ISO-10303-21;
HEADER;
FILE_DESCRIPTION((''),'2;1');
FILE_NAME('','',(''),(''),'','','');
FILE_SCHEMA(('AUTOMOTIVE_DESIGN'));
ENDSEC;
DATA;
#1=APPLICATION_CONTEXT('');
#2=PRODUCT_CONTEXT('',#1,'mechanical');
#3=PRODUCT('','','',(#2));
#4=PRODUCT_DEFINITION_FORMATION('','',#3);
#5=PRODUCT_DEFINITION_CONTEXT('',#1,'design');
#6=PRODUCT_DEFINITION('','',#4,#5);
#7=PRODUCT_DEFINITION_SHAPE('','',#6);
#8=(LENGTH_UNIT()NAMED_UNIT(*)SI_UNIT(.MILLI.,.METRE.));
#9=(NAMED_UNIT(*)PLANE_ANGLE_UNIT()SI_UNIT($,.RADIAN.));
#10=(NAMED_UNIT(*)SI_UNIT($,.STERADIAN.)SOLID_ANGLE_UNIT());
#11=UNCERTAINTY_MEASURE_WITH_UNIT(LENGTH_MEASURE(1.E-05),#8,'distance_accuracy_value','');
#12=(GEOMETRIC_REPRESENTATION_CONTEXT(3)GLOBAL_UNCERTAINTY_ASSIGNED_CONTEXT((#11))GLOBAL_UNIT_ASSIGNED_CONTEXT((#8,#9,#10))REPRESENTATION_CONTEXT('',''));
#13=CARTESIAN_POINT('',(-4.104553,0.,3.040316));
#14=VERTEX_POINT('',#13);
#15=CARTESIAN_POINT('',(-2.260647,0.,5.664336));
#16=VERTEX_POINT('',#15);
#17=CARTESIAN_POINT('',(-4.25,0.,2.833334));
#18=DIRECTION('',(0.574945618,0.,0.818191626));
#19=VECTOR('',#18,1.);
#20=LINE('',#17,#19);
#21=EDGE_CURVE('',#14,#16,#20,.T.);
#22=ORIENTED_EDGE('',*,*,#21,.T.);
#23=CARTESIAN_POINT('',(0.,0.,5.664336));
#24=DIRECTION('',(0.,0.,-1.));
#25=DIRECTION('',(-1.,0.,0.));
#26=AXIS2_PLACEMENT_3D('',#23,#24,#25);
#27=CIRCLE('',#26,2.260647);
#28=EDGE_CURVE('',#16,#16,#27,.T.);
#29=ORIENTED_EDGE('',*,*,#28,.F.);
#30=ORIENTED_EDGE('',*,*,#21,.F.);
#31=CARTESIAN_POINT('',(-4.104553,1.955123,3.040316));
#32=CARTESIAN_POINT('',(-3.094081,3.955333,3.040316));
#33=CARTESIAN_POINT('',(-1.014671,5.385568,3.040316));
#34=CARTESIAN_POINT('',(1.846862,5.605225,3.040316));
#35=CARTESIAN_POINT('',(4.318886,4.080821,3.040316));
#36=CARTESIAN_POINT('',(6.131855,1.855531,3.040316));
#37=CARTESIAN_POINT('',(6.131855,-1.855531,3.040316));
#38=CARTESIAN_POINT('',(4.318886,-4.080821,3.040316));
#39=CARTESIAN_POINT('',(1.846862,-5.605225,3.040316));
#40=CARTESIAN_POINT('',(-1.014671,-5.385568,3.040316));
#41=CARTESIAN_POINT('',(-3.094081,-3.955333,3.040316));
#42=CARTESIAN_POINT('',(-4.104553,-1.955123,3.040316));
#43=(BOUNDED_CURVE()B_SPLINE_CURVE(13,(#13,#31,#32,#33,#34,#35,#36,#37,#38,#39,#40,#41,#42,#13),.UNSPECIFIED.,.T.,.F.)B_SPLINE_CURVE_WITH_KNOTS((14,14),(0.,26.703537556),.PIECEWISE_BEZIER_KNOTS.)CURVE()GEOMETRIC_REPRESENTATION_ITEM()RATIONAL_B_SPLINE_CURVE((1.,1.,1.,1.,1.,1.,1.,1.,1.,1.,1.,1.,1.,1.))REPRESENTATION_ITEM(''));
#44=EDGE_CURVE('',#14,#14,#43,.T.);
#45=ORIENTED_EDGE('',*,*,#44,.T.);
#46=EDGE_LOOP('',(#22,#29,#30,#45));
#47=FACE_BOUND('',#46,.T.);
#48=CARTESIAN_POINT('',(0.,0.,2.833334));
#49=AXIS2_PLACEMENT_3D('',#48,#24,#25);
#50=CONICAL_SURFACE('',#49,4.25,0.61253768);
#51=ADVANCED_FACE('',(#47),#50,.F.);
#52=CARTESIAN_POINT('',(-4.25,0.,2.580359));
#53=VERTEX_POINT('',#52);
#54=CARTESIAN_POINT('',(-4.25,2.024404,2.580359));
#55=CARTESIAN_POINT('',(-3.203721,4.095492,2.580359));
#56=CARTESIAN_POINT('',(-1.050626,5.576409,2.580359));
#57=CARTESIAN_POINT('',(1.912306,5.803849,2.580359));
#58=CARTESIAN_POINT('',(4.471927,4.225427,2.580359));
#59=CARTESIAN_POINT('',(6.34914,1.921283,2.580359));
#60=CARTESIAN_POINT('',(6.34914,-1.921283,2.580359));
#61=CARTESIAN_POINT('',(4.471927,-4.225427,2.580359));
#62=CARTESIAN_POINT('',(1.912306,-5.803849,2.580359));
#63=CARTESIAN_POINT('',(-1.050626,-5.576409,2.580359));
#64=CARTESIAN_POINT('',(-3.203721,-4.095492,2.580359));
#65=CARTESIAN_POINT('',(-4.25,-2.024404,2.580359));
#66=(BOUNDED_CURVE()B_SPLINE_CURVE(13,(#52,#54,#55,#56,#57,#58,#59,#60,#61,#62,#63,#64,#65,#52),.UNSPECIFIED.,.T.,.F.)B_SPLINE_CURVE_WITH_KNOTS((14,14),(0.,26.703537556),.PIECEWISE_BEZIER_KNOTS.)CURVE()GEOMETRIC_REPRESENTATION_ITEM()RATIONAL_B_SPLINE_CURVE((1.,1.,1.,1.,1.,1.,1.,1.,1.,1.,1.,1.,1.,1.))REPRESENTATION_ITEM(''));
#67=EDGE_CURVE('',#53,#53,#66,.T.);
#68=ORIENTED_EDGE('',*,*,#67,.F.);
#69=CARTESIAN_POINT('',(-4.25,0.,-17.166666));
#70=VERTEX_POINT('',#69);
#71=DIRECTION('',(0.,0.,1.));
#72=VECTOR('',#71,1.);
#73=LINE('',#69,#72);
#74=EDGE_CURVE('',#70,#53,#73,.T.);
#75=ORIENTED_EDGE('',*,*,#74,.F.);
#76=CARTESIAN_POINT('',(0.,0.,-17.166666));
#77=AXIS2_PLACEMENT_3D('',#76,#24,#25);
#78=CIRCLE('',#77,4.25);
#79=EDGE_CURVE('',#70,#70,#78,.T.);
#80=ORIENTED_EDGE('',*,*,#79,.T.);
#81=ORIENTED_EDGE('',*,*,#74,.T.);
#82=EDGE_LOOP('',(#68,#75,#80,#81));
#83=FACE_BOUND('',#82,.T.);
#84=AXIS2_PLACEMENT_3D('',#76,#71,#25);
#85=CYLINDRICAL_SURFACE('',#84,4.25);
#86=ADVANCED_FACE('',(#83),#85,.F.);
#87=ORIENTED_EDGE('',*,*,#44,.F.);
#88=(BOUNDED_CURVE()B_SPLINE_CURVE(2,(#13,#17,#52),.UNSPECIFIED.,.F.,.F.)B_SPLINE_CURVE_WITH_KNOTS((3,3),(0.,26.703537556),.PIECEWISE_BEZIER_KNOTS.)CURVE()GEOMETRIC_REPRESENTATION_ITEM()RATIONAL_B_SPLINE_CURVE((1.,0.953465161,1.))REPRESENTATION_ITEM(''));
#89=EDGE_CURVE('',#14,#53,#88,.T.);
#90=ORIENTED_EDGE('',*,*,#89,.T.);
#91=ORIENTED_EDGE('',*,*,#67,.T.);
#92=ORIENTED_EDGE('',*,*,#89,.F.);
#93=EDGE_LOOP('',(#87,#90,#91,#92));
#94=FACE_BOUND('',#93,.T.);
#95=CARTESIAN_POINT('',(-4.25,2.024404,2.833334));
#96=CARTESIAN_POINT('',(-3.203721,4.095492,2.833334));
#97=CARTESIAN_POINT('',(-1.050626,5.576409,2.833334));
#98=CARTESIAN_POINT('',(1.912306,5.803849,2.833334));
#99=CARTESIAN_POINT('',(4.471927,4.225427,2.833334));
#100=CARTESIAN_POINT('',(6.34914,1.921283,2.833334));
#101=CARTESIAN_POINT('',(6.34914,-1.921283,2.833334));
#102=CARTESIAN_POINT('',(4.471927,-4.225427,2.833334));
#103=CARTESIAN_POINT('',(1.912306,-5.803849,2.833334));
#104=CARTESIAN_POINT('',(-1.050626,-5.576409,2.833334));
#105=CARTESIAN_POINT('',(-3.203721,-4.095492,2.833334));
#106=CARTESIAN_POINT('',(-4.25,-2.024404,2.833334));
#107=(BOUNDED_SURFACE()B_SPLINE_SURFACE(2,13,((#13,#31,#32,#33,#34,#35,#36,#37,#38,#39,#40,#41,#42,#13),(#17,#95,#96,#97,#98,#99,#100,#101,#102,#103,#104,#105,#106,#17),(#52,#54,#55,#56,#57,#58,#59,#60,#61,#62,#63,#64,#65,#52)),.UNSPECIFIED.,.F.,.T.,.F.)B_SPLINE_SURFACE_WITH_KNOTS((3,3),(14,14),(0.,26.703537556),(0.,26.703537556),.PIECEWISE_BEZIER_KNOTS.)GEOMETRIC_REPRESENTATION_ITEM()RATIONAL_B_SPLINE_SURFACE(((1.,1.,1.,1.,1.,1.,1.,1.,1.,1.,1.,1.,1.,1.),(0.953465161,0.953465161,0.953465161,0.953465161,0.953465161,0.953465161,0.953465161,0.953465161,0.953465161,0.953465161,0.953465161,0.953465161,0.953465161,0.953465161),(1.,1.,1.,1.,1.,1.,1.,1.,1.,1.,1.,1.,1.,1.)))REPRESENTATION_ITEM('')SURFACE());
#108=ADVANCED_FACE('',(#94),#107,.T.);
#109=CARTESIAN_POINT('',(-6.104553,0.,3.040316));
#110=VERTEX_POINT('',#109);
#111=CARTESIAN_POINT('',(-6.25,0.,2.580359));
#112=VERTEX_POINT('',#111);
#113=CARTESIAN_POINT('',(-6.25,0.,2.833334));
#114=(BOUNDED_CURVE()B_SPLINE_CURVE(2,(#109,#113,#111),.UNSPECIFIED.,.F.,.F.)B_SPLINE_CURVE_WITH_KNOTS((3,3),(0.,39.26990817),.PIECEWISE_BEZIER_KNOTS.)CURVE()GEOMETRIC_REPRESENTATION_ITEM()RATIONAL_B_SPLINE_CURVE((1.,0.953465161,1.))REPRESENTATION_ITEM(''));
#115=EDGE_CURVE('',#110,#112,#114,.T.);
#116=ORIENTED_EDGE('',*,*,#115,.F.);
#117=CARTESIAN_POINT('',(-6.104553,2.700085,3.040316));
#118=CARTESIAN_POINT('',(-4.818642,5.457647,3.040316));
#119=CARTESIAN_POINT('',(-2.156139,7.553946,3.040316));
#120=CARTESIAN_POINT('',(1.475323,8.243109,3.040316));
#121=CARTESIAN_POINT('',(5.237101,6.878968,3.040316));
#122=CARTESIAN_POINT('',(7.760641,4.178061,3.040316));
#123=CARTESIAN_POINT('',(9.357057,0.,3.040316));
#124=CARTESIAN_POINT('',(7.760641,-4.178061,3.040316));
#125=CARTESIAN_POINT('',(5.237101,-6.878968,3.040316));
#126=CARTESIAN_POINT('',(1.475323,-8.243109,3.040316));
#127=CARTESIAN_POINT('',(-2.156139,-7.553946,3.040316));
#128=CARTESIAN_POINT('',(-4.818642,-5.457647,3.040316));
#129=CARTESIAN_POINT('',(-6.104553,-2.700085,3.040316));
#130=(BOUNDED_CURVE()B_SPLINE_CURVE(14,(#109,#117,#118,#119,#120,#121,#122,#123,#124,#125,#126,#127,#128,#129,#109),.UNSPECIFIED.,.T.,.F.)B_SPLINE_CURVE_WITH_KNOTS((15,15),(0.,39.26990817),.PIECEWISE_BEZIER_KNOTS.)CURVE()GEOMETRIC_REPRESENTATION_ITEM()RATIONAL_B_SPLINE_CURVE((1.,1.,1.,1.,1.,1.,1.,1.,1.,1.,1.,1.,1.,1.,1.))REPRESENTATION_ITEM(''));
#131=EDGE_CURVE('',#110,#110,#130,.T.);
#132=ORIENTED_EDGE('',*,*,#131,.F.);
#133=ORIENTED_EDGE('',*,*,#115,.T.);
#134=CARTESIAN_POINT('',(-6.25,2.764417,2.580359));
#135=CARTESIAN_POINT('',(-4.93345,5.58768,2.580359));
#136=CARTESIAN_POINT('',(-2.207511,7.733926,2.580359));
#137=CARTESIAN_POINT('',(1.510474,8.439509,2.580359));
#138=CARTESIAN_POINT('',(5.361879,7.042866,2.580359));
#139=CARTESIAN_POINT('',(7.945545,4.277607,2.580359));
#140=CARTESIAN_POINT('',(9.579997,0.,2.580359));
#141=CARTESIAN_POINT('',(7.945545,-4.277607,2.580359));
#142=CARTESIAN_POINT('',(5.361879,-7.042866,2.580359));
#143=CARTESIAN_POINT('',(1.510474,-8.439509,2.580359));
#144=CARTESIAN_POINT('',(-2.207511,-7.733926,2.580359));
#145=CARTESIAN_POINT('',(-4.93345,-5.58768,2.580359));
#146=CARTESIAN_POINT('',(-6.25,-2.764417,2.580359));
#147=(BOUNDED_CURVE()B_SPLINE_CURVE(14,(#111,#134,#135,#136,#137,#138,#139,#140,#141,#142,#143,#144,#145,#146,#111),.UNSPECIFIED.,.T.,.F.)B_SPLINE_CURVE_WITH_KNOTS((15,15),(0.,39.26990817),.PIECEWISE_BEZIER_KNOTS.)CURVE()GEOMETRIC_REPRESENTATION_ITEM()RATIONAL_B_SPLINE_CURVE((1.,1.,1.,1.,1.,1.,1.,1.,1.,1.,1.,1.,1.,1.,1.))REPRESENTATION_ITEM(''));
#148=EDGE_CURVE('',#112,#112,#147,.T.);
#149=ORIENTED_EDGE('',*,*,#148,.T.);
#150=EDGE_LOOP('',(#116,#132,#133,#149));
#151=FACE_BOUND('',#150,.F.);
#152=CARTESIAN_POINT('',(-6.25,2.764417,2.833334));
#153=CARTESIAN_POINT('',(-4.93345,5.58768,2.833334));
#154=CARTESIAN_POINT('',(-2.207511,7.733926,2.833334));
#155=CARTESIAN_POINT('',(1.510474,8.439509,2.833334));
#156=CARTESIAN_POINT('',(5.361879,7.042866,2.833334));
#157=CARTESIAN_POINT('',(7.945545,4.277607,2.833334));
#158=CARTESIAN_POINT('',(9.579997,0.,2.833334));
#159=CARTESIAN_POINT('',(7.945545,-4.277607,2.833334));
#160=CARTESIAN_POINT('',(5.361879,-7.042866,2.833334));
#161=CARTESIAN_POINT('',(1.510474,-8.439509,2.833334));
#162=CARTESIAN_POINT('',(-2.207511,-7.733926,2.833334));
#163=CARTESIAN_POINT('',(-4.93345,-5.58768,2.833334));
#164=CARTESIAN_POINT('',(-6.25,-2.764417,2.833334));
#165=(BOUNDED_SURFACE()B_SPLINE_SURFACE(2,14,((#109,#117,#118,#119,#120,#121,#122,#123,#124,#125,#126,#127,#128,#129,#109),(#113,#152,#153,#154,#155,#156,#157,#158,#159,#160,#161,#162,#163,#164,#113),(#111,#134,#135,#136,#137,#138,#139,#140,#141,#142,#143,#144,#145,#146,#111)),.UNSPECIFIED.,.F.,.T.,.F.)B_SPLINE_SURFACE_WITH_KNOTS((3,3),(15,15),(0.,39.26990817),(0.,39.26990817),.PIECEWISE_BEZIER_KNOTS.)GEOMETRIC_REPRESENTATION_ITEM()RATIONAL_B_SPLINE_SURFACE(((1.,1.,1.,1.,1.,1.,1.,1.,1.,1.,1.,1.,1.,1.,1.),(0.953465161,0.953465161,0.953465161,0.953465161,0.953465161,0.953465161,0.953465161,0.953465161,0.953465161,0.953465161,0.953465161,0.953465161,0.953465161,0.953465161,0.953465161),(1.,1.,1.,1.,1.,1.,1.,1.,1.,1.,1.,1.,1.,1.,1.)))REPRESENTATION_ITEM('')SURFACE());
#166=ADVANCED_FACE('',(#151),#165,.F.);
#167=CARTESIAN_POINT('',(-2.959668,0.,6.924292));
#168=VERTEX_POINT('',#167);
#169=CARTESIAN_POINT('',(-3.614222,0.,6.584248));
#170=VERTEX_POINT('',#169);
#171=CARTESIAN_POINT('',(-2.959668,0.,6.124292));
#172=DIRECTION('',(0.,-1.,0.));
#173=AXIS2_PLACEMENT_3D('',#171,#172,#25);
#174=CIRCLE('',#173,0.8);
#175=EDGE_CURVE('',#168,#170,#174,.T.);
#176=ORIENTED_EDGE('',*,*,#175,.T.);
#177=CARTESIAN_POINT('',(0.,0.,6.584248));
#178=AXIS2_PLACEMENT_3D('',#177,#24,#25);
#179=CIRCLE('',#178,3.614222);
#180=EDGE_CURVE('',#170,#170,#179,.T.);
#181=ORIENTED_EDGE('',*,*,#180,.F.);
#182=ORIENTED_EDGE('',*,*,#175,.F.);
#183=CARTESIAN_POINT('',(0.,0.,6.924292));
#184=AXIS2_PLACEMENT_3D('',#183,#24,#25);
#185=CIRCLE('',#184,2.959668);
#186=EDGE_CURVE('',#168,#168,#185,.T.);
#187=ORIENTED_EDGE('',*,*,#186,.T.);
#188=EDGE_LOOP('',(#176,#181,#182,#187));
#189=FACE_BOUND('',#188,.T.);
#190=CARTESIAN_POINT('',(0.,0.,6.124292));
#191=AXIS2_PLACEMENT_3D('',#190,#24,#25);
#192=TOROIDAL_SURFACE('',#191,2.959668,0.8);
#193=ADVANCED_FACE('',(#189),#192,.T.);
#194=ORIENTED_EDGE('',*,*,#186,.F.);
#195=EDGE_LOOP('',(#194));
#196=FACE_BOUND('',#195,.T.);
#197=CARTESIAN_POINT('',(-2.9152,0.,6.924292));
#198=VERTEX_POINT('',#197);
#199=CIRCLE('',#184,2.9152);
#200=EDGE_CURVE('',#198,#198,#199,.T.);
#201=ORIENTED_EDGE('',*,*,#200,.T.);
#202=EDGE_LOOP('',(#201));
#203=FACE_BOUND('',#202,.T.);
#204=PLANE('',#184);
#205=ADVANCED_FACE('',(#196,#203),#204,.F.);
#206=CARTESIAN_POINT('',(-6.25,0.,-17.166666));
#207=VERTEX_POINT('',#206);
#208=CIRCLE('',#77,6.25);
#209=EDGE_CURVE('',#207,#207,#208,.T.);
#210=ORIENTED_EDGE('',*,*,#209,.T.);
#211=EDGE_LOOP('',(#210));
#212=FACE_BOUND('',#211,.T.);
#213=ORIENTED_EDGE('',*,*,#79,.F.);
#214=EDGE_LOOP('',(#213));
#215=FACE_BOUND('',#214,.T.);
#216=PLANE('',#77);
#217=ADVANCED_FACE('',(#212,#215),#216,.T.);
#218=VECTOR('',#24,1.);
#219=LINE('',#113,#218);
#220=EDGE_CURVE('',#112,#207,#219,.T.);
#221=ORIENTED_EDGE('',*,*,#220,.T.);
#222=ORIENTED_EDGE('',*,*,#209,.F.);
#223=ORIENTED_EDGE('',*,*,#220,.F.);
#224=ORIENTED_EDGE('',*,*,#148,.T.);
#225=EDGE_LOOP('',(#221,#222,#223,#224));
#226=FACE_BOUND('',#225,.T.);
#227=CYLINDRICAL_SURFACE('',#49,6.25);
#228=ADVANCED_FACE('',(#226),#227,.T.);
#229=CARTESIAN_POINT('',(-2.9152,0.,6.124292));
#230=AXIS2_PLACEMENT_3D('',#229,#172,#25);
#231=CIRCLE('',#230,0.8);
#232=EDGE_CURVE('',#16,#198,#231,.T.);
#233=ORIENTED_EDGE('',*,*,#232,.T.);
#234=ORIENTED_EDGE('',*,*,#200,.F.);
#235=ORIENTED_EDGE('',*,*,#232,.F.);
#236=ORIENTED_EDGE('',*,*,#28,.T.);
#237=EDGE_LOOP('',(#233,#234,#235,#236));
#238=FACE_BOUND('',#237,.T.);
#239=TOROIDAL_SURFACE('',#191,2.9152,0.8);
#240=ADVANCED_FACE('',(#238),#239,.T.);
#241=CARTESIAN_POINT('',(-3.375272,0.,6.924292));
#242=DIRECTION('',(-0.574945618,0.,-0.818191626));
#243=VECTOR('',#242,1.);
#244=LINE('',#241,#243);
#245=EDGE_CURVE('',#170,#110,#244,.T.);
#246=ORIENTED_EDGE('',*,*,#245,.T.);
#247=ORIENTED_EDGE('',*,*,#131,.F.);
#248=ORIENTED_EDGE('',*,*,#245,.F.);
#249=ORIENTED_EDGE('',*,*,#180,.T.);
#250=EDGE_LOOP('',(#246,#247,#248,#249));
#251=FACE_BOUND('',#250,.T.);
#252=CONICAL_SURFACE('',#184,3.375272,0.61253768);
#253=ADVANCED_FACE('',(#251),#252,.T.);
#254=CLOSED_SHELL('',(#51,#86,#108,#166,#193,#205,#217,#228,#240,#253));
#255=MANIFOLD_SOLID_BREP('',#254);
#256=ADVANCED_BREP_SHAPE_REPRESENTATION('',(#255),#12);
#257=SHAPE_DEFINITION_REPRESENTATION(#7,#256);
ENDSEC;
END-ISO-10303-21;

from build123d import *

# Parameters (mm, degrees)
F2_R = 0.8


with BuildPart() as f1:
    # F0 (on Front) → F1 (revolve)
    with BuildSketch(Plane.XZ):
        Polygon((-4.25, 2.833334), (-1.375272, 6.924292), (-3.375272, 6.924292), (-6.25, 2.833334), (-6.25, -17.166666), (-4.25, -17.166666), align=None)
    revolve(axis=Axis((0, 0, -1.357143), (0, 0, -1)))

    # F2
    f2_edges = [f1.edges().sort_by_distance(p)[0] for p in [
        (1.375272, 0, 6.924292),
        (3.375272, 0, 6.924292),
        (6.25, 0, 2.833334),
        (4.25, 0, 2.833334),
        (-2.812636, 0, 4.878813),
    ]]
    fillet(f2_edges, radius=F2_R)


solid = f1.part
